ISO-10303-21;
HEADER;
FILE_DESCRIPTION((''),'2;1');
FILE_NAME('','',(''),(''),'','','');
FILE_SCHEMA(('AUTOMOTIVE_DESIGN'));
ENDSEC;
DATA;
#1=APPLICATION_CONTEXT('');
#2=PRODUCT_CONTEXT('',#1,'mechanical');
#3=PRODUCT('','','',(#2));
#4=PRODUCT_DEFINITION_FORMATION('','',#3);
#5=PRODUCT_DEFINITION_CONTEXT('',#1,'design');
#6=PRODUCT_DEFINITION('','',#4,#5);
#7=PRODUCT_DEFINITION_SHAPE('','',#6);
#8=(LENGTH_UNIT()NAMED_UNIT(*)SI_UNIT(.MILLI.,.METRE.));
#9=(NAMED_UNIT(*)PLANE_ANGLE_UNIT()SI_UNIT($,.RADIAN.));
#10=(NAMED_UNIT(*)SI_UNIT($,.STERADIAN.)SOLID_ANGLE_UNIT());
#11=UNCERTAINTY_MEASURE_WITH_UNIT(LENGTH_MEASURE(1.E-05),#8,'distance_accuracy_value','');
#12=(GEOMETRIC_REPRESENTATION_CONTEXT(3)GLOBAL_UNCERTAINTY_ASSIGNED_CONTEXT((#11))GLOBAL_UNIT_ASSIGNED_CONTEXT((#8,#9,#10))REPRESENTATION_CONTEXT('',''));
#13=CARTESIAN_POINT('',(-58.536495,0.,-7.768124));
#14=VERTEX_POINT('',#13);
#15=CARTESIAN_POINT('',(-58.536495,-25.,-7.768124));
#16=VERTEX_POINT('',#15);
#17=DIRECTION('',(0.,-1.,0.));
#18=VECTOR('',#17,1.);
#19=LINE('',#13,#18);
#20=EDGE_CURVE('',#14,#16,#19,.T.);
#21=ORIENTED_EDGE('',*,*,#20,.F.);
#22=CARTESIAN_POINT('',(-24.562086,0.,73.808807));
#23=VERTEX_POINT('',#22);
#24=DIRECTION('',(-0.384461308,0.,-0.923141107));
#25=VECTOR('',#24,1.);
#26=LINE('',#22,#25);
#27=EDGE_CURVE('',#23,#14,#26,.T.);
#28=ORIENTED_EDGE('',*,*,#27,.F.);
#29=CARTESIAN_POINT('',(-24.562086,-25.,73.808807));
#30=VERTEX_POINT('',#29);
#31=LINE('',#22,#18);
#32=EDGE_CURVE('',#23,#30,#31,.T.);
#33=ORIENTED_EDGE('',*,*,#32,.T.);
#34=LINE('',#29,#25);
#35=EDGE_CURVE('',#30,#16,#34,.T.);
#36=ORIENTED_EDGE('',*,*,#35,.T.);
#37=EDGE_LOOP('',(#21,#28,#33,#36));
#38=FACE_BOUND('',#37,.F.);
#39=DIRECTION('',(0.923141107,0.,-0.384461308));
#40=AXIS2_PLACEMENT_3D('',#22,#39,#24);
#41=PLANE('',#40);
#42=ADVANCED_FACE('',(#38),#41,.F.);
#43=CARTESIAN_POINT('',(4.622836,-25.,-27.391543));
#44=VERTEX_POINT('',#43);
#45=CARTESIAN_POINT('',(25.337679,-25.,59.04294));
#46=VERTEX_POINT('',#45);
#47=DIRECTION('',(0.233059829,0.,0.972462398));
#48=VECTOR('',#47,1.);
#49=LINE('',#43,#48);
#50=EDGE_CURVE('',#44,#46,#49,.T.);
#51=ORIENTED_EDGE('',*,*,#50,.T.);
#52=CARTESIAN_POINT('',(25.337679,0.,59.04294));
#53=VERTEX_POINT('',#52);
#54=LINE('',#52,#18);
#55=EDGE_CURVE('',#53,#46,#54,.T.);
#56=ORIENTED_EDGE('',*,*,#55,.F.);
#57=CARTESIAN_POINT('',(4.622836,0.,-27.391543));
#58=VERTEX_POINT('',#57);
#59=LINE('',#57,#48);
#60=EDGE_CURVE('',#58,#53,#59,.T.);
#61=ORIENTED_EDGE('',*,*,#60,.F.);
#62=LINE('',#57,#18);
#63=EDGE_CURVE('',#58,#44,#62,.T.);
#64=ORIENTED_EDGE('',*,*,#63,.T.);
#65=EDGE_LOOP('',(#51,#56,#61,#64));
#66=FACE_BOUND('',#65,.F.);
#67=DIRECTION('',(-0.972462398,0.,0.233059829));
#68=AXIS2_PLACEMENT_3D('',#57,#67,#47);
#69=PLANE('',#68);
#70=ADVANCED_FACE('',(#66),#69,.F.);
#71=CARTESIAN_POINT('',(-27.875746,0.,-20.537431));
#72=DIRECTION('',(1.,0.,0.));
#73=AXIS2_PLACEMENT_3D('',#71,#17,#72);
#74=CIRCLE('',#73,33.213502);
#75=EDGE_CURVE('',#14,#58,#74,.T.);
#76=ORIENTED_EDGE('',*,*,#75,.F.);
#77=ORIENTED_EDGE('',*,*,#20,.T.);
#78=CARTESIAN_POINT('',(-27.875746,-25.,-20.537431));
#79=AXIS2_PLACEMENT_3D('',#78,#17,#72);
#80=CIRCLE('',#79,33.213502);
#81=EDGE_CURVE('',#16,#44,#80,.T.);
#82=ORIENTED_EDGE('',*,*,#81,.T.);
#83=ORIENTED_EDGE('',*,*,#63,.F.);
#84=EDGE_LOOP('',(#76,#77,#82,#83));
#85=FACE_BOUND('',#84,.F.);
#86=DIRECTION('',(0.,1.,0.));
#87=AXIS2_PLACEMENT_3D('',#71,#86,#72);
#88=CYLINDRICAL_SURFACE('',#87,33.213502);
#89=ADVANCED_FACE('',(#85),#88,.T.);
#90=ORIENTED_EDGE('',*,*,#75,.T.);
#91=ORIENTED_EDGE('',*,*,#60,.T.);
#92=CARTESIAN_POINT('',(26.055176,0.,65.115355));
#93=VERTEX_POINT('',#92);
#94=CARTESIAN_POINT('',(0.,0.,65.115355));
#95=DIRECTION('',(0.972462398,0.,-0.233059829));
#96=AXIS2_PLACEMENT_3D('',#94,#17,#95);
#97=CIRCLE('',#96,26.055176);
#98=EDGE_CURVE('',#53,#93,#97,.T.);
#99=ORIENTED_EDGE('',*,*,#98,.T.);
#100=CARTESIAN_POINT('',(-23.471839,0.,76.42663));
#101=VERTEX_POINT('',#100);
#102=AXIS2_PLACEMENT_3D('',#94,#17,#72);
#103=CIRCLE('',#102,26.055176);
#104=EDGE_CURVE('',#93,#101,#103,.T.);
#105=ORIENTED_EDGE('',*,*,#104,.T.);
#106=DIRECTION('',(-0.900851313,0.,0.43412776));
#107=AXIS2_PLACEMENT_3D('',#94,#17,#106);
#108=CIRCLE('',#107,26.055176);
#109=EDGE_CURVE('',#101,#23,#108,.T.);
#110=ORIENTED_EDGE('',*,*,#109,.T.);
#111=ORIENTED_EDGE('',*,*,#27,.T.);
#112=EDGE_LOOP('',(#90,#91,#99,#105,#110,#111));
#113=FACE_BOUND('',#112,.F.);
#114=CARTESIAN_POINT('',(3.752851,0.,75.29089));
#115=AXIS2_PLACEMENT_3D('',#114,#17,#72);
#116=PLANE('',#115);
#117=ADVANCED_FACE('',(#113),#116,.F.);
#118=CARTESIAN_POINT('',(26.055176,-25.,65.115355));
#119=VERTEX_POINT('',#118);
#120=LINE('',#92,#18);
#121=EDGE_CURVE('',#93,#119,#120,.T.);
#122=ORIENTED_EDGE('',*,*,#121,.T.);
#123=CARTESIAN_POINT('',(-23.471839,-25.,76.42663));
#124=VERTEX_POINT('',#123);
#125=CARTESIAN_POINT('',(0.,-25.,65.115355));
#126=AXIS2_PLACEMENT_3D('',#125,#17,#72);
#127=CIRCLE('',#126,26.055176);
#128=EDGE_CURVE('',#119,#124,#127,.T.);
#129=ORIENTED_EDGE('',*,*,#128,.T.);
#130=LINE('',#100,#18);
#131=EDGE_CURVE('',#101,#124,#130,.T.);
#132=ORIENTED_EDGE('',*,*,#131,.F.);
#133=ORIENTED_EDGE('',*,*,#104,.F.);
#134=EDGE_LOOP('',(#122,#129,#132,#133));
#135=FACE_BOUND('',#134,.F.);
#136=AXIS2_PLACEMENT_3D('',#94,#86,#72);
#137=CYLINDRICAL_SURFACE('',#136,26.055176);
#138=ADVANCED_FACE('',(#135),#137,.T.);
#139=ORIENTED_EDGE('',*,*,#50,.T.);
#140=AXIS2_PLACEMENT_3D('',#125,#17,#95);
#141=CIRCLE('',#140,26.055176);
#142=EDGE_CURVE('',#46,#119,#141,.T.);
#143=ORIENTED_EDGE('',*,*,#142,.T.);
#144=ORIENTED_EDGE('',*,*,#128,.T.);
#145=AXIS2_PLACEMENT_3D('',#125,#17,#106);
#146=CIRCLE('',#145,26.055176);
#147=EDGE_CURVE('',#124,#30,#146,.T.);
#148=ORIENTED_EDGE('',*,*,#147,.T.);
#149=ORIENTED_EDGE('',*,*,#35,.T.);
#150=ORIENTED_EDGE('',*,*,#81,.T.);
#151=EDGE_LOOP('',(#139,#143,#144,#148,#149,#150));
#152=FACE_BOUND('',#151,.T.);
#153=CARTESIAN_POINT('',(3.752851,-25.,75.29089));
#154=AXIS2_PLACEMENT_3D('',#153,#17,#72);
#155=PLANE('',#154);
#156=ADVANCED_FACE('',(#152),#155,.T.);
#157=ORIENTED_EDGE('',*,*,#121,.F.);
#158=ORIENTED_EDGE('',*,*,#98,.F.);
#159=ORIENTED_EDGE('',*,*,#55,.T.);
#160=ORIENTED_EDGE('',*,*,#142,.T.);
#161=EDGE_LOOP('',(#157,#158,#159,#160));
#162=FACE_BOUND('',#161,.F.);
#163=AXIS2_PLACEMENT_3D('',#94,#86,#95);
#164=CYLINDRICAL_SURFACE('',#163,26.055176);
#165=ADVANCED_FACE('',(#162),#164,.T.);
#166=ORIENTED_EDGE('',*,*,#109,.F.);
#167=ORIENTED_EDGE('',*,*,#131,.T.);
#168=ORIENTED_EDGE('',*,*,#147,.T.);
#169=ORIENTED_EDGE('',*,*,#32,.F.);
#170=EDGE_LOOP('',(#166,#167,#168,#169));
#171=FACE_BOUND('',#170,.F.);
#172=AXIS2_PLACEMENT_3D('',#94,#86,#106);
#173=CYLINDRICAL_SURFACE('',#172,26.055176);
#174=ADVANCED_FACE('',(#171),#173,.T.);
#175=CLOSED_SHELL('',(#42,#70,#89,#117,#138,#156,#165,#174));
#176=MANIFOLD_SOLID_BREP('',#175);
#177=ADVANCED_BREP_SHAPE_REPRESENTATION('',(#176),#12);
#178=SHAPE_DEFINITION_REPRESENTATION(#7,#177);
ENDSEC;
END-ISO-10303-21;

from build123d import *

# Parameters (mm, degrees)
F1_DEPTH = 25


with BuildPart() as f1:
    # F0 (on Front) → F1 (new body)
    with BuildSketch(Plane.XZ):
        with BuildLine():
            ThreePointArc((25.3376785391, 59.0429401925), (25.8751795943, 62.0580267481), (26.0551755857, 65.1153549552))
            ThreePointArc((26.0551755857, 65.1153549552), (5.8012621353, 90.5164874583), (-23.4718391387, 76.4266299607))
            Line((-23.4718391387, 76.4266299607), (25.3376785391, 59.0429401925))
        make_face()
        with BuildLine():
            Line((-24.5620860191, 73.8088068124), (-23.4718391387, 76.4266299607))
            ThreePointArc((-23.4718391387, 76.4266299607), (-24.0526036226, 75.1325618402), (-24.5620860191, 73.8088068124))
        make_face()
        with BuildLine():
            Line((25.3376785391, 59.0429401925), (-23.4718391387, 76.4266299607))
            Line((-23.4718391387, 76.4266299607), (-24.5620860191, 73.8088068124))
            ThreePointArc((-24.5620860191, 73.8088068124), (-7.393110996, 40.1310782075), (25.3376785391, 59.0429401925))
        make_face()
        with BuildLine():
            Line((4.6228356174, -27.3915428669), (25.3376785391, 59.0429401925))
            ThreePointArc((25.3376785391, 59.0429401925), (-7.393110996, 40.1310782075), (-24.5620860191, 73.8088068124))
            Line((-24.5620860191, 73.8088068124), (-58.5364951115, -7.7681242214))
            ThreePointArc((-58.5364951115, -7.7681242214), (-21.3647609006, 12.0316308735), (5.3377552115, -20.5374305092))
            ThreePointArc((5.3377552115, -20.5374305092), (5.1585418132, -23.9830787152), (4.6228356174, -27.3915428669))
        make_face()
        with BuildLine():
            ThreePointArc((-58.5364951115, -7.7681242214), (-37.7303924387, -52.2552905306), (4.6228356174, -27.3915428669))
            ThreePointArc((4.6228356174, -27.3915428669), (5.1585418132, -23.9830787152), (5.3377552115, -20.5374305092))
            ThreePointArc((5.3377552115, -20.5374305092), (-21.3647609006, 12.0316308735), (-58.5364951115, -7.7681242214))
        make_face()
    extrude(amount=F1_DEPTH)


solid = f1.part
